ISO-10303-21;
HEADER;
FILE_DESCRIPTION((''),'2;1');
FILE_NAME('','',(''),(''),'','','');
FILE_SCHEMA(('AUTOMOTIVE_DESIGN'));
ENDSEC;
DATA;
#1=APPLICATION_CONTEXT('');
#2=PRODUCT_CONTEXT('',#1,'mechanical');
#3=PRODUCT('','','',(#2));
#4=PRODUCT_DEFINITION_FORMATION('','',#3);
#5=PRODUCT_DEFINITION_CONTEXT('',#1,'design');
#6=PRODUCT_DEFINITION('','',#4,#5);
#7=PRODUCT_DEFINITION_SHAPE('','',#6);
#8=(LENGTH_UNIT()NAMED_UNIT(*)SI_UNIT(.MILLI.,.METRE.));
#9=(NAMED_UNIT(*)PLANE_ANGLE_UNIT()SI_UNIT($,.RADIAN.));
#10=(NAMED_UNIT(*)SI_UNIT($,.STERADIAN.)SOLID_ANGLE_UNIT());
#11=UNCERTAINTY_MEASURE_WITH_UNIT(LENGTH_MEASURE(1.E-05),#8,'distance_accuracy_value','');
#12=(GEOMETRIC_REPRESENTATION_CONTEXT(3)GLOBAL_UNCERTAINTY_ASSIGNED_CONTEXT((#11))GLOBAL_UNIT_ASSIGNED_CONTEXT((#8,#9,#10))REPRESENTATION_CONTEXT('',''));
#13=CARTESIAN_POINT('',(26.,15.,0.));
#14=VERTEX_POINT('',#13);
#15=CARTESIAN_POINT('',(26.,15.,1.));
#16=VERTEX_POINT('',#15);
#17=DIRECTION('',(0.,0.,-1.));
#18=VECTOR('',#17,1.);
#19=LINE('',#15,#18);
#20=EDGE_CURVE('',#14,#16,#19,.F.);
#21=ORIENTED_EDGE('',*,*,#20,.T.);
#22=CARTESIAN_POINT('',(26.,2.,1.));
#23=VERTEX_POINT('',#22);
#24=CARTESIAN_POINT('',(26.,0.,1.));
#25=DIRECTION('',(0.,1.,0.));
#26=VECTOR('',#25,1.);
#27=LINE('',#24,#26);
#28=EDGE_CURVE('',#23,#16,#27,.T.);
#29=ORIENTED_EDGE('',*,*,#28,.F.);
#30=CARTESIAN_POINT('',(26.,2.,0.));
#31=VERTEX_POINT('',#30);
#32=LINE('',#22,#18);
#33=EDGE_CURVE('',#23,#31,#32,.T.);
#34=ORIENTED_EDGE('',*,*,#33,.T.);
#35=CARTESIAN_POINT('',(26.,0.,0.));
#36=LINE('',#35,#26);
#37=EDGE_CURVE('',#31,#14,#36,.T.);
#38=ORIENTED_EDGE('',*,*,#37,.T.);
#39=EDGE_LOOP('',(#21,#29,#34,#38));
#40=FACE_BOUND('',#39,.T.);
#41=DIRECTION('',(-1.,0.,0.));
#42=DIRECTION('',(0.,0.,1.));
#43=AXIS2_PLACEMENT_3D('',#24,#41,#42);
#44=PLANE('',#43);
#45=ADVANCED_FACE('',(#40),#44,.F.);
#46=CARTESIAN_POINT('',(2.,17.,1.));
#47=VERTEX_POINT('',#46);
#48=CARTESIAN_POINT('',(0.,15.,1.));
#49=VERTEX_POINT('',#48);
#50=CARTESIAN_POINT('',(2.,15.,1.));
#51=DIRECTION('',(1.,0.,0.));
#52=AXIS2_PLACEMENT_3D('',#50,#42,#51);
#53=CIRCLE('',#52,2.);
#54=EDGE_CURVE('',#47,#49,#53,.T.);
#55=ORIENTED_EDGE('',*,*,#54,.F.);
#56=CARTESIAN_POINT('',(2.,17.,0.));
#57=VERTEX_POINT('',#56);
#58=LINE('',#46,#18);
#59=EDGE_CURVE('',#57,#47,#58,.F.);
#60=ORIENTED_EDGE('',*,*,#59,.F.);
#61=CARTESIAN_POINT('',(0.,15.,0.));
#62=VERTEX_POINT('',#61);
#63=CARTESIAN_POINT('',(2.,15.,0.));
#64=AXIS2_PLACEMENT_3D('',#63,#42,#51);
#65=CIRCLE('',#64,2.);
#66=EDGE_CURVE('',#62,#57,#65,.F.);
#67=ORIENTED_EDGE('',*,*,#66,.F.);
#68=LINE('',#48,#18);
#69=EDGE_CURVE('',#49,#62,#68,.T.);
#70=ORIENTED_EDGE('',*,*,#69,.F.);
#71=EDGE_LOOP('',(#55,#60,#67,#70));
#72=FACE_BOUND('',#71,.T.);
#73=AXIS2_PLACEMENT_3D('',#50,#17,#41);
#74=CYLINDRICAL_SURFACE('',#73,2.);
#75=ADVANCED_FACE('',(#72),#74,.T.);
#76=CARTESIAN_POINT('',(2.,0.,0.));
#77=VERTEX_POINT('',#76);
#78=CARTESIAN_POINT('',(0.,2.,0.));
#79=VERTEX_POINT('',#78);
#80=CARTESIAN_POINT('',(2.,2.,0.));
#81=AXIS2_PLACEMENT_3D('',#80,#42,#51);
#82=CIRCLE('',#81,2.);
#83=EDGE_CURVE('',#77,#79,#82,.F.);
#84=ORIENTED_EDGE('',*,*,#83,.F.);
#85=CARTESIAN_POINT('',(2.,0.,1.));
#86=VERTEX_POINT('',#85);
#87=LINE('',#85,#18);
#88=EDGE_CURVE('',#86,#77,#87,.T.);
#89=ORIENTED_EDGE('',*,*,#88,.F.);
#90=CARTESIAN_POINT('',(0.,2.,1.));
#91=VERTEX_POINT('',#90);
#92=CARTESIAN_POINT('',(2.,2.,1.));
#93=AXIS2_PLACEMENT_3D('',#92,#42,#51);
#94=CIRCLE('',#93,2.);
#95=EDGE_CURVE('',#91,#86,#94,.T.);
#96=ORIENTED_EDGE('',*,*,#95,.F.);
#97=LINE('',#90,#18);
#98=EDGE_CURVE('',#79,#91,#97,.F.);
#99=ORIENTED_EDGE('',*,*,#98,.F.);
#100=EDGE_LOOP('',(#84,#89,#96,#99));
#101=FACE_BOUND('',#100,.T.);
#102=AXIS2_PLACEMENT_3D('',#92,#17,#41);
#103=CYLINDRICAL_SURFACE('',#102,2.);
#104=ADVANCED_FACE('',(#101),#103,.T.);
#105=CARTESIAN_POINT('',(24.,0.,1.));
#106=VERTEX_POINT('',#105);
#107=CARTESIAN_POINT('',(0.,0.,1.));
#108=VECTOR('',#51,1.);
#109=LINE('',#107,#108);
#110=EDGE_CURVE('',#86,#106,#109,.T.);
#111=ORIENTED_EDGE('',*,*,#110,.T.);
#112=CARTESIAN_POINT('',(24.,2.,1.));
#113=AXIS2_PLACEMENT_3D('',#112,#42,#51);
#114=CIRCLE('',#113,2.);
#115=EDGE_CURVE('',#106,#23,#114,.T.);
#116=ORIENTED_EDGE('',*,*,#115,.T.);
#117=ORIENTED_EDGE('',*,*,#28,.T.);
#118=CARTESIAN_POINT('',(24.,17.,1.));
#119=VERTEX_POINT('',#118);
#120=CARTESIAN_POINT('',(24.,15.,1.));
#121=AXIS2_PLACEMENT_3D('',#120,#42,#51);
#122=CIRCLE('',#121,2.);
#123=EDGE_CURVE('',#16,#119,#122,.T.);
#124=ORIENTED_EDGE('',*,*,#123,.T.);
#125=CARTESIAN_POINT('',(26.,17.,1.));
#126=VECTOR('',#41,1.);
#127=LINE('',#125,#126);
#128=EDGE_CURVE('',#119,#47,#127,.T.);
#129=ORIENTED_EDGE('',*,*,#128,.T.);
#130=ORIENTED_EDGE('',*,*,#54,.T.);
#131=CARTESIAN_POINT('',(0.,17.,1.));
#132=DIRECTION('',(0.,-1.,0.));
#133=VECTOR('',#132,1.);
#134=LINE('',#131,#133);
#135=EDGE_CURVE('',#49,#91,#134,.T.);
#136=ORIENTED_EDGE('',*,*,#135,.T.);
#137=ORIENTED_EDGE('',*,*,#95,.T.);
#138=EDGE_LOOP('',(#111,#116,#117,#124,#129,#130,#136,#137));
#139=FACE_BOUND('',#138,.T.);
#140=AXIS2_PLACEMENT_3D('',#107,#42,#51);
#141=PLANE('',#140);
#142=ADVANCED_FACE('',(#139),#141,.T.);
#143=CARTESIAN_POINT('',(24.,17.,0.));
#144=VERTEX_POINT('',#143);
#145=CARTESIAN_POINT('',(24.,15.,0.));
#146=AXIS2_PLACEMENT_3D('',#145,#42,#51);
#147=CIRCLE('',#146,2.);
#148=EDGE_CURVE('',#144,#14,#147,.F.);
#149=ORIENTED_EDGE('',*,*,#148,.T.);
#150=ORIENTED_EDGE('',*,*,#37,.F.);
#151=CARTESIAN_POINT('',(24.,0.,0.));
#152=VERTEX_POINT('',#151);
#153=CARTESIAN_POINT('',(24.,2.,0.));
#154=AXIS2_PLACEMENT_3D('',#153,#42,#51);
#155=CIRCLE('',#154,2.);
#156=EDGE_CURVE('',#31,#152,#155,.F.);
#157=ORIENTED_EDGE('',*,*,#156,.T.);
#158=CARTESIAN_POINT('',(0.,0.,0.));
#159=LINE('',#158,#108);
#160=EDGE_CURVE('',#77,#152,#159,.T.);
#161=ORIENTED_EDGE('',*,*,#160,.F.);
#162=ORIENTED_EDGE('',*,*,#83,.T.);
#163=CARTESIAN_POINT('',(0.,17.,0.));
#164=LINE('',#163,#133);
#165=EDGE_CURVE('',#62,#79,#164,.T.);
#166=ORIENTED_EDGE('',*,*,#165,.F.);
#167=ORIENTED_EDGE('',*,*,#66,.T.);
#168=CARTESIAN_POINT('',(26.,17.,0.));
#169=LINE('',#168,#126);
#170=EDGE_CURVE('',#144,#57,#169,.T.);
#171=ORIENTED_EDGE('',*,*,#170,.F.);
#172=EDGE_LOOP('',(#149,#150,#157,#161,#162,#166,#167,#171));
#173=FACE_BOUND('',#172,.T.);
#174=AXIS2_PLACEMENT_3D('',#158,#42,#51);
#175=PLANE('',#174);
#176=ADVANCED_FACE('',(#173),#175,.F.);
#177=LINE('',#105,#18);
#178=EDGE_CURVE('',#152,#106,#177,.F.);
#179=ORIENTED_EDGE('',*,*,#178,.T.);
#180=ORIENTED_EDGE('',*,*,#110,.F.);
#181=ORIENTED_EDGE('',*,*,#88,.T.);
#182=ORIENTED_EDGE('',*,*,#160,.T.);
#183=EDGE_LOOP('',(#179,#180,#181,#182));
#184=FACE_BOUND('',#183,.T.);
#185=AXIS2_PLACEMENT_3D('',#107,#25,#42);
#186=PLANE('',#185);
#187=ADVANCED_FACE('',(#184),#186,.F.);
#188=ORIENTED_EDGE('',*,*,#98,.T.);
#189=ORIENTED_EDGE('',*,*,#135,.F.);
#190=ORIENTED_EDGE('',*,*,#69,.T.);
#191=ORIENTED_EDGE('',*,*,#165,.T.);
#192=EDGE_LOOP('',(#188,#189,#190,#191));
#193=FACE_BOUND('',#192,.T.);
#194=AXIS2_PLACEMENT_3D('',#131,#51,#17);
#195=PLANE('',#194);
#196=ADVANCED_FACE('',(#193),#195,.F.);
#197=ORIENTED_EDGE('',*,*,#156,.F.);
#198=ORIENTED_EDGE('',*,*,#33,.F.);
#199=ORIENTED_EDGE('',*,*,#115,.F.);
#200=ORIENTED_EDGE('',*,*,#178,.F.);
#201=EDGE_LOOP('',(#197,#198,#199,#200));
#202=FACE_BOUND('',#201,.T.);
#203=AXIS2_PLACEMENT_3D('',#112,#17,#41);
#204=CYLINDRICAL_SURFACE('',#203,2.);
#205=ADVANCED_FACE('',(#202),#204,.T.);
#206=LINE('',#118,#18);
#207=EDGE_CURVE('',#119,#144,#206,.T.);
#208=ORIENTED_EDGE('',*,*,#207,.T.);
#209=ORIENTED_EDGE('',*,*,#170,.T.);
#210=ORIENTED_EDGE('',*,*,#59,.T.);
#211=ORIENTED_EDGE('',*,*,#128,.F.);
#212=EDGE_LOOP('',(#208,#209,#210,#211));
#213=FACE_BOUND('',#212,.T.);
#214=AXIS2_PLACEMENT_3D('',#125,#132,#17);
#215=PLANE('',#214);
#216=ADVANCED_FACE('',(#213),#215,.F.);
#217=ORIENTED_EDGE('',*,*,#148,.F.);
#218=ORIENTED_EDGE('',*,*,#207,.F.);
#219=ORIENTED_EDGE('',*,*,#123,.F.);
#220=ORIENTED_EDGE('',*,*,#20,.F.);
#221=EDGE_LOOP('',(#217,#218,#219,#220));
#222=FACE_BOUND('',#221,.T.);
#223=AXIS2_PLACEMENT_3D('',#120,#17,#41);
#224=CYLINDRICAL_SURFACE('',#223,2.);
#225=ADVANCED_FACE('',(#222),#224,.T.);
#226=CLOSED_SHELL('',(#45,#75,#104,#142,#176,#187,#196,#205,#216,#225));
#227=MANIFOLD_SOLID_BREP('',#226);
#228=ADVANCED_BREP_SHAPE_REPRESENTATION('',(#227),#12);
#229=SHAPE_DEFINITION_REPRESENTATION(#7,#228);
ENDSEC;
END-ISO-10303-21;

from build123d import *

# Parameters (mm, degrees)
SKETCH_1_W         = 26
SKETCH_1_H         = 17
BLOCKEXTRUDE_DEPTH = 1
FILLET_2_R         = 2


with BuildPart() as part:
    # 草图1 → BlockExtrude (new body)
    with BuildSketch(Plane.XY):
        with Locations((13, 8.5)):
            Rectangle(SKETCH_1_W, SKETCH_1_H)
    extrude(amount=BLOCKEXTRUDE_DEPTH)

    # Fillet 2
    fillet_2_edges = [part.edges().sort_by_distance(p)[0] for p in [
        (0, 17, 0.5),
        (26, 17, 0.5),
        (26, 0, 0.5),
        (0, 0, 0.5),
    ]]
    fillet(fillet_2_edges, radius=FILLET_2_R)


solid = part.part
